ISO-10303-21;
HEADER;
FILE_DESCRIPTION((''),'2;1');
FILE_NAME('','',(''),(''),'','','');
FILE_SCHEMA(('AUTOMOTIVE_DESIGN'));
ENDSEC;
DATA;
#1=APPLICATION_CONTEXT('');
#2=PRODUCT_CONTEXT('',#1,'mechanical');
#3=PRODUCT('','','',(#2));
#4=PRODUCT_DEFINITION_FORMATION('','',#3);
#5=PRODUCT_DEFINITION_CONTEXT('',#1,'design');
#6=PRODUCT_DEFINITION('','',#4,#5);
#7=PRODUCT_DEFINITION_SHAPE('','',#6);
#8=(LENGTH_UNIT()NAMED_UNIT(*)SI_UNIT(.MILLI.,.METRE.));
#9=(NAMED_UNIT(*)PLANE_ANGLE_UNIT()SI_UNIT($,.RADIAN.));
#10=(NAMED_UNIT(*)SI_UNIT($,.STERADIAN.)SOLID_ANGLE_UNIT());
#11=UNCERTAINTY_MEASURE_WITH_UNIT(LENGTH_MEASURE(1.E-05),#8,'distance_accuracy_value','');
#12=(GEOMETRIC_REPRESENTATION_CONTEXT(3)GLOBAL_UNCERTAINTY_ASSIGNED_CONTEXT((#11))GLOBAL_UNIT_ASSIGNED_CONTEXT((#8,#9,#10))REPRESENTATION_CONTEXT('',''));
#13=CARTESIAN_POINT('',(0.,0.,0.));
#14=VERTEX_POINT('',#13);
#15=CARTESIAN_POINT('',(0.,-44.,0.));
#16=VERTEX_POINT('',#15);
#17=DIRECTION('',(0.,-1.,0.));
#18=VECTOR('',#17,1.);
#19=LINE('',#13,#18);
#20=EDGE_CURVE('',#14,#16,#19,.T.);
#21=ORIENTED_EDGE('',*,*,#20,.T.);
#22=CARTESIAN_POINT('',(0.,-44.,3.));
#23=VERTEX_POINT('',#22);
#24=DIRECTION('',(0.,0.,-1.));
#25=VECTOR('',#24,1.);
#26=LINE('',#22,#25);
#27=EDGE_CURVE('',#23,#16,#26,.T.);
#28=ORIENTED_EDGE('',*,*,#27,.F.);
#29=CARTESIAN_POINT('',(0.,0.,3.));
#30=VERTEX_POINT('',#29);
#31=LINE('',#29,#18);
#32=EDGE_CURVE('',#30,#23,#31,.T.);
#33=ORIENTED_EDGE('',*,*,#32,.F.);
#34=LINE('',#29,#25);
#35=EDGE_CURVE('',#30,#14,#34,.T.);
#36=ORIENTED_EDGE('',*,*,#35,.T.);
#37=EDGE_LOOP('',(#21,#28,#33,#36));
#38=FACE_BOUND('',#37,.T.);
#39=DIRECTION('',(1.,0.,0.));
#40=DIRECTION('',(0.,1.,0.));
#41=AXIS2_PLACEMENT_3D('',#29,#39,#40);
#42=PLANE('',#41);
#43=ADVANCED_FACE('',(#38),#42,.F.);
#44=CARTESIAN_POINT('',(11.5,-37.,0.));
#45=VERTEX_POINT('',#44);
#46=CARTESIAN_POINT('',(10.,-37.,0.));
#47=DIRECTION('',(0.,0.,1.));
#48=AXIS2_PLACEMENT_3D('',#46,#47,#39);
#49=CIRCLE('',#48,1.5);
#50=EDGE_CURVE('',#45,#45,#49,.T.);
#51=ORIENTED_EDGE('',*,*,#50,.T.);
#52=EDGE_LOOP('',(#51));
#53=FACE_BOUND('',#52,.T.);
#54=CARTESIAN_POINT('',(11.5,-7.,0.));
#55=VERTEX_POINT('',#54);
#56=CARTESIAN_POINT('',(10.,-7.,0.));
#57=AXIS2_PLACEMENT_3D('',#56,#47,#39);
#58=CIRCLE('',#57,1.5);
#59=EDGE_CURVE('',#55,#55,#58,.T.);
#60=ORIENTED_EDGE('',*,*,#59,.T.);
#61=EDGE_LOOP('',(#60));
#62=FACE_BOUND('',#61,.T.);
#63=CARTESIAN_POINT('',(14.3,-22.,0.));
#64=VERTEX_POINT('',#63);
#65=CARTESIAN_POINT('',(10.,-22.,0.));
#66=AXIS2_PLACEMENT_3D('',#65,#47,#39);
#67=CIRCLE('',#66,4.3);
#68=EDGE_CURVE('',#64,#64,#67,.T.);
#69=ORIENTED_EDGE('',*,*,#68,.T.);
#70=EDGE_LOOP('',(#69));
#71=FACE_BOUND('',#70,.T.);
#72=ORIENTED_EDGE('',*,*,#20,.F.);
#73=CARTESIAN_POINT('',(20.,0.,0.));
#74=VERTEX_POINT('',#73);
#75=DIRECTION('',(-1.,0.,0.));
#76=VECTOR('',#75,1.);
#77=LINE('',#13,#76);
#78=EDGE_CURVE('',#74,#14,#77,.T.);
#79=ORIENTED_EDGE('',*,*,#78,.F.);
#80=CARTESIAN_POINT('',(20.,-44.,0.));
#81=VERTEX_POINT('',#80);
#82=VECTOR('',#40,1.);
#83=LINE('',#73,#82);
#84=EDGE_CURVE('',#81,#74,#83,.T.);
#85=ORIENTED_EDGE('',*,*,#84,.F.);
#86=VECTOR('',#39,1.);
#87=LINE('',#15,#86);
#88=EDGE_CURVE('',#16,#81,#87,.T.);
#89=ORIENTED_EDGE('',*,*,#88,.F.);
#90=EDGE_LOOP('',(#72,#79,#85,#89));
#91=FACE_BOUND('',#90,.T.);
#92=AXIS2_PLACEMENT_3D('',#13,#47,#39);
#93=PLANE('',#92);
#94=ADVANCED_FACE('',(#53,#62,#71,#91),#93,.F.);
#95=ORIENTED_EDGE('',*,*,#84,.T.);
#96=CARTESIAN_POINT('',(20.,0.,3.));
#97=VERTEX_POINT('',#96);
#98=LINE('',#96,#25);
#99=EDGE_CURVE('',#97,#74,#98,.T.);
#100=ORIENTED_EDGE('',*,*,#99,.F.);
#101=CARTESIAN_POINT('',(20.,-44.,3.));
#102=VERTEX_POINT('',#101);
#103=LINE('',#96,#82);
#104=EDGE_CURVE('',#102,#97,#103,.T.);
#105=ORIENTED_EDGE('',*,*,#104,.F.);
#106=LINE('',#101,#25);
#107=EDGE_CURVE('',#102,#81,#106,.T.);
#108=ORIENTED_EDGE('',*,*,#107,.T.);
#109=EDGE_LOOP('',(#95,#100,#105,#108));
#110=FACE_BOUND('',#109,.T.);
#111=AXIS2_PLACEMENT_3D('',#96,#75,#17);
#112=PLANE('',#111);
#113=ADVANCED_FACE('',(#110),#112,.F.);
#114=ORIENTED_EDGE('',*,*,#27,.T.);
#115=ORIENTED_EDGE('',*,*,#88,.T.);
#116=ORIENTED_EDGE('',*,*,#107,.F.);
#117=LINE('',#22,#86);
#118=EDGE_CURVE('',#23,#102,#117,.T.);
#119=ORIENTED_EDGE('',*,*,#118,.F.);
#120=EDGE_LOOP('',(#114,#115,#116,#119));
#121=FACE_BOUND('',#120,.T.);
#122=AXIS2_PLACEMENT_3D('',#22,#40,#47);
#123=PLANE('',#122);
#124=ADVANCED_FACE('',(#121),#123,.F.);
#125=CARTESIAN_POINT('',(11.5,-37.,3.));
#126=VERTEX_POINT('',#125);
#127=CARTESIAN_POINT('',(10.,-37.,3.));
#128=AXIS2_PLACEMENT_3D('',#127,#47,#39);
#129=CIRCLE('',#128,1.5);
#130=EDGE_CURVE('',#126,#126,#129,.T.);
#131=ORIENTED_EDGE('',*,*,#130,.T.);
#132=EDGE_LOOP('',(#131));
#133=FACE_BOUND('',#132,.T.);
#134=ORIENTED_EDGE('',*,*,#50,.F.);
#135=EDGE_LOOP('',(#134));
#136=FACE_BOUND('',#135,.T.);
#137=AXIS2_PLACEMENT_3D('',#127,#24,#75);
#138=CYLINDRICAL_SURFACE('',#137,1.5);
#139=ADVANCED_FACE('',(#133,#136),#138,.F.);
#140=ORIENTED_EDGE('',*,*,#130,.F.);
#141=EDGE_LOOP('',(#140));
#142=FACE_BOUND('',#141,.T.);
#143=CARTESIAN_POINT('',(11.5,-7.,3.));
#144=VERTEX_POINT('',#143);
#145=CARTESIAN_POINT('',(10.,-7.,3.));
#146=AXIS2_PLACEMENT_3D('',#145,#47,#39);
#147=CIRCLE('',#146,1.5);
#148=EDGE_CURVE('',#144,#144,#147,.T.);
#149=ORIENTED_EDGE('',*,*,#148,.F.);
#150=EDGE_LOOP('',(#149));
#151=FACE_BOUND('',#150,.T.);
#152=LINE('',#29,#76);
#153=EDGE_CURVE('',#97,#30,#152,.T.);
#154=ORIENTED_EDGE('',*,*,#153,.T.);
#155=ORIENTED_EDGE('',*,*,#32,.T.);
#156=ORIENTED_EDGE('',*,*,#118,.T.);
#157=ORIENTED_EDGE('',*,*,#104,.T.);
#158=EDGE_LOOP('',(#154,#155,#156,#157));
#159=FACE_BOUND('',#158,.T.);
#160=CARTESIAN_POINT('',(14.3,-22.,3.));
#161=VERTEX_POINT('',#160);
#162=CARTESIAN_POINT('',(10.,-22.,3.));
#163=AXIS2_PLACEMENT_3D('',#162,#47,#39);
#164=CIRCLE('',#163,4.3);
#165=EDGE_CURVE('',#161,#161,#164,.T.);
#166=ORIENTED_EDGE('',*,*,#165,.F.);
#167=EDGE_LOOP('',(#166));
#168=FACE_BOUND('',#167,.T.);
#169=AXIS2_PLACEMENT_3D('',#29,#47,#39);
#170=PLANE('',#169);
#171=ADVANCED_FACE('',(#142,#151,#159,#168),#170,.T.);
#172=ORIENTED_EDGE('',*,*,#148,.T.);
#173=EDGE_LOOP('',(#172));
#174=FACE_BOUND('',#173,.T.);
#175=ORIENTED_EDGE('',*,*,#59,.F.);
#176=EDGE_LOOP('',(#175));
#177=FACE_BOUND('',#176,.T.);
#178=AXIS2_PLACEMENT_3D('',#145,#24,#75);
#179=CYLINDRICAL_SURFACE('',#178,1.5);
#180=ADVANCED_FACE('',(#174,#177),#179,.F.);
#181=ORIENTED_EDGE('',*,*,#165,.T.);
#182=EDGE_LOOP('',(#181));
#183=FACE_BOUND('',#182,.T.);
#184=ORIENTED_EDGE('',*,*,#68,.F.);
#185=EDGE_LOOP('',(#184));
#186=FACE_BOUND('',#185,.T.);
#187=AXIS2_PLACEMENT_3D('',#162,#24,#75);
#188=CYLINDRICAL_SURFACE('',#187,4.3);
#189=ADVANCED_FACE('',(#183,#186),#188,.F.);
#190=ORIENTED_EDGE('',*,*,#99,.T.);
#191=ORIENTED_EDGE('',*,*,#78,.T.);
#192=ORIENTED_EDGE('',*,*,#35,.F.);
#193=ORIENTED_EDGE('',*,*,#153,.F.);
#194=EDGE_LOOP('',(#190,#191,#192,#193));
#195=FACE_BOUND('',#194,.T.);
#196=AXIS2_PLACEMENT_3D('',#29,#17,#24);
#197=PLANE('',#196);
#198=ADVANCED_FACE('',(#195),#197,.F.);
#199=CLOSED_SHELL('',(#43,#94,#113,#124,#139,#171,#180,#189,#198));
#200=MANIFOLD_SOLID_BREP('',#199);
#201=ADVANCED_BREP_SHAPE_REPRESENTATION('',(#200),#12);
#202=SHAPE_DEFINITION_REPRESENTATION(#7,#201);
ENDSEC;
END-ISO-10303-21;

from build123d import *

# Parameters (mm, degrees)
SKETCH1_W           = 20
SKETCH1_H           = 44
SKETCH1_R           = 1.5
SKETCH1_R_2         = 4.3
BOSS_EXTRUDE1_DEPTH = 3


with BuildPart() as part:
    # Sketch1 → Boss-Extrude1 (new body)
    with BuildSketch(Plane.XY):
        with Locations((10, -22)):
            Rectangle(SKETCH1_W, SKETCH1_H)
        with Locations((10, -7)):
            Circle(SKETCH1_R, mode=Mode.SUBTRACT)
        with Locations((10, -37)):
            Circle(SKETCH1_R, mode=Mode.SUBTRACT)
        with Locations((10, -22)):
            Circle(SKETCH1_R_2, mode=Mode.SUBTRACT)
    extrude(amount=BOSS_EXTRUDE1_DEPTH)


solid = part.part
